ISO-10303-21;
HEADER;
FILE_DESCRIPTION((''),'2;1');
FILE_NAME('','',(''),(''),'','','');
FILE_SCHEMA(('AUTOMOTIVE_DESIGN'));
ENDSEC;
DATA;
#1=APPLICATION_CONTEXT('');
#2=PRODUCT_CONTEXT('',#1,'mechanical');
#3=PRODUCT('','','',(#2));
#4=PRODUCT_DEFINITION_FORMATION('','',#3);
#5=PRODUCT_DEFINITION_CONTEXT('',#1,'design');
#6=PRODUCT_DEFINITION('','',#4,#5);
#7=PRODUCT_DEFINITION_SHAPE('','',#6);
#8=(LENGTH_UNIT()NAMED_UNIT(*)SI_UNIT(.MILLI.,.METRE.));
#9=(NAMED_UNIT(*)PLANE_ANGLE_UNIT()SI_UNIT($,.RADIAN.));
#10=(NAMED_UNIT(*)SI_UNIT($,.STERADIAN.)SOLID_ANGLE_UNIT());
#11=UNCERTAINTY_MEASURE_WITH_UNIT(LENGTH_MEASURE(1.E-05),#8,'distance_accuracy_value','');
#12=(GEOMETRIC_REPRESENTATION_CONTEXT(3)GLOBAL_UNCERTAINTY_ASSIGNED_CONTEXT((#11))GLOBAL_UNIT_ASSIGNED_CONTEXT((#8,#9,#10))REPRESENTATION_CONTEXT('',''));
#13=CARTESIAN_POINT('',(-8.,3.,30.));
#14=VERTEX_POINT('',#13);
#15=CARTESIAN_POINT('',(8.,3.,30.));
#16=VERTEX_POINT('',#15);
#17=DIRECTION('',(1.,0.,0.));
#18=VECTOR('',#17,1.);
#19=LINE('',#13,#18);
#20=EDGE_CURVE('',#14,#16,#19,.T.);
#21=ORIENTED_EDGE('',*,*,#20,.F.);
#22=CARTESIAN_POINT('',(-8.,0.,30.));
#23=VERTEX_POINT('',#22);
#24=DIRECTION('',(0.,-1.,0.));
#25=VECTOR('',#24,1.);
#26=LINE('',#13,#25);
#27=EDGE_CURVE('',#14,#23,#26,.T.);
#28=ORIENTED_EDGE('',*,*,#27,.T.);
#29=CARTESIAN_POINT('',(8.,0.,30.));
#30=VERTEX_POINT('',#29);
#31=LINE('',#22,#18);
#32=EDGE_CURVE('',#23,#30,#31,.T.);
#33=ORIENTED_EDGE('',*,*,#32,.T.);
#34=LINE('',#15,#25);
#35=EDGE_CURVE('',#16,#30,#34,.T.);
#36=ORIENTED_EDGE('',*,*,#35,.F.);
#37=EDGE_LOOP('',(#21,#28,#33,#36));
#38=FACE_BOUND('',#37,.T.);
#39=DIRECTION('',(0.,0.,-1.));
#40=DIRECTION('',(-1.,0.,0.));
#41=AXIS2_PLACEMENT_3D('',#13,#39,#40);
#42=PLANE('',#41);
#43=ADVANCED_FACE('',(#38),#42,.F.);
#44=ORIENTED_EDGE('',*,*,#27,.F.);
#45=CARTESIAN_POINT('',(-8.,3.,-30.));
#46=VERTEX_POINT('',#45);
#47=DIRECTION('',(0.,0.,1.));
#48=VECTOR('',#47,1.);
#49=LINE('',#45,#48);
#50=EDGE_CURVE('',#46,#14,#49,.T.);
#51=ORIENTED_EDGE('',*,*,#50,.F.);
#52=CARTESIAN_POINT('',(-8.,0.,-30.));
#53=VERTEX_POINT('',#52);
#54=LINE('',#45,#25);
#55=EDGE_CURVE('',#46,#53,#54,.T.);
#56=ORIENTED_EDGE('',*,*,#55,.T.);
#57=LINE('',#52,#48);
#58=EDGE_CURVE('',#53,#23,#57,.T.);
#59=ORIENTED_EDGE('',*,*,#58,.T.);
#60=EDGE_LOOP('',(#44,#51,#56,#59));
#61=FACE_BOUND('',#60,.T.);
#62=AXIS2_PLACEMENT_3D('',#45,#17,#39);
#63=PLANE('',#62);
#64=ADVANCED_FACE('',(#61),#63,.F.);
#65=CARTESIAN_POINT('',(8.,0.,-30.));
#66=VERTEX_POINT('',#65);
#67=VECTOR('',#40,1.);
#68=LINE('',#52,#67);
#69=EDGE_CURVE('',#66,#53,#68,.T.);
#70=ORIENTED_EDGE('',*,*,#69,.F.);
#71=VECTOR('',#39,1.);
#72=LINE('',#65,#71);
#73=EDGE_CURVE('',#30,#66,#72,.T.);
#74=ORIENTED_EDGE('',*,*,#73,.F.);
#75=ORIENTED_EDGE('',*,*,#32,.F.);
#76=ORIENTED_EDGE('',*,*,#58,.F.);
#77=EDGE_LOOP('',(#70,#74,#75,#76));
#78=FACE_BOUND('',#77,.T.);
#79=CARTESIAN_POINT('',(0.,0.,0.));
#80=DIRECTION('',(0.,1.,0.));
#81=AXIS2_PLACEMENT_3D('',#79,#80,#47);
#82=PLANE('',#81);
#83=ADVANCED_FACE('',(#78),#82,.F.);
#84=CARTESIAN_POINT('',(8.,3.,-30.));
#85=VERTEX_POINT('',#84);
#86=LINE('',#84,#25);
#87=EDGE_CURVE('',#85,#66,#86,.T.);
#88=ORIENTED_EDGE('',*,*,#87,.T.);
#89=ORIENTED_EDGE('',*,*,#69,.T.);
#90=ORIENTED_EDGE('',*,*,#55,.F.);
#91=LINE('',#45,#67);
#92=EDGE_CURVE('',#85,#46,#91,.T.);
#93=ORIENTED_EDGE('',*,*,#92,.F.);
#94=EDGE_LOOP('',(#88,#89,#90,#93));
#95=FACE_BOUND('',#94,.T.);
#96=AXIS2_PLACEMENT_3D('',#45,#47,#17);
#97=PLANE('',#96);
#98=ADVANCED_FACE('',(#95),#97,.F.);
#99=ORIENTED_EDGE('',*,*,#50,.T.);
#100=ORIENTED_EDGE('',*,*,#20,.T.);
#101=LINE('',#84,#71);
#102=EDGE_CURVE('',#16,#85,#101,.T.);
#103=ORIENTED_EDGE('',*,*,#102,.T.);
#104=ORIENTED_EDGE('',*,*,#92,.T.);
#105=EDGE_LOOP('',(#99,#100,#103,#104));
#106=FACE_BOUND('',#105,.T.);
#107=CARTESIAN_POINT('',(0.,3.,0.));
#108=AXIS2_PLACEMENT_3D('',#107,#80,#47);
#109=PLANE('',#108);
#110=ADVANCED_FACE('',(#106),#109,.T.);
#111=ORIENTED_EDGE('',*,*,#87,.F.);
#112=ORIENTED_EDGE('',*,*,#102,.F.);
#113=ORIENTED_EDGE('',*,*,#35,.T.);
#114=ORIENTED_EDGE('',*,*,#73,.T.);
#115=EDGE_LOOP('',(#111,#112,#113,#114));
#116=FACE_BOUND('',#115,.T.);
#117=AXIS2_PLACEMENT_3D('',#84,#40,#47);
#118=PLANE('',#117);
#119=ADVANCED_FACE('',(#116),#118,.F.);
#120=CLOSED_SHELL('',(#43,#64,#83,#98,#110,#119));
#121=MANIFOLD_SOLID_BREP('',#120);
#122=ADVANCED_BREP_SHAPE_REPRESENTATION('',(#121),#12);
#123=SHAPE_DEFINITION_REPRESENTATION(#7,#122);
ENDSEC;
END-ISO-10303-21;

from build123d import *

# Parameters (mm, degrees)
SKETCH_1_W      = 16
SKETCH_1_H      = 60
EXTRUDE_1_DEPTH = 3


with BuildPart() as part:
    # 草图1 → 凸台-拉伸1 (new body)
    with BuildSketch(Plane(origin=(0, 0, 0), x_dir=(1, 0, 0), z_dir=(0, 1, 0))):
        Rectangle(SKETCH_1_W, SKETCH_1_H)
    extrude(amount=EXTRUDE_1_DEPTH)


solid = part.part
